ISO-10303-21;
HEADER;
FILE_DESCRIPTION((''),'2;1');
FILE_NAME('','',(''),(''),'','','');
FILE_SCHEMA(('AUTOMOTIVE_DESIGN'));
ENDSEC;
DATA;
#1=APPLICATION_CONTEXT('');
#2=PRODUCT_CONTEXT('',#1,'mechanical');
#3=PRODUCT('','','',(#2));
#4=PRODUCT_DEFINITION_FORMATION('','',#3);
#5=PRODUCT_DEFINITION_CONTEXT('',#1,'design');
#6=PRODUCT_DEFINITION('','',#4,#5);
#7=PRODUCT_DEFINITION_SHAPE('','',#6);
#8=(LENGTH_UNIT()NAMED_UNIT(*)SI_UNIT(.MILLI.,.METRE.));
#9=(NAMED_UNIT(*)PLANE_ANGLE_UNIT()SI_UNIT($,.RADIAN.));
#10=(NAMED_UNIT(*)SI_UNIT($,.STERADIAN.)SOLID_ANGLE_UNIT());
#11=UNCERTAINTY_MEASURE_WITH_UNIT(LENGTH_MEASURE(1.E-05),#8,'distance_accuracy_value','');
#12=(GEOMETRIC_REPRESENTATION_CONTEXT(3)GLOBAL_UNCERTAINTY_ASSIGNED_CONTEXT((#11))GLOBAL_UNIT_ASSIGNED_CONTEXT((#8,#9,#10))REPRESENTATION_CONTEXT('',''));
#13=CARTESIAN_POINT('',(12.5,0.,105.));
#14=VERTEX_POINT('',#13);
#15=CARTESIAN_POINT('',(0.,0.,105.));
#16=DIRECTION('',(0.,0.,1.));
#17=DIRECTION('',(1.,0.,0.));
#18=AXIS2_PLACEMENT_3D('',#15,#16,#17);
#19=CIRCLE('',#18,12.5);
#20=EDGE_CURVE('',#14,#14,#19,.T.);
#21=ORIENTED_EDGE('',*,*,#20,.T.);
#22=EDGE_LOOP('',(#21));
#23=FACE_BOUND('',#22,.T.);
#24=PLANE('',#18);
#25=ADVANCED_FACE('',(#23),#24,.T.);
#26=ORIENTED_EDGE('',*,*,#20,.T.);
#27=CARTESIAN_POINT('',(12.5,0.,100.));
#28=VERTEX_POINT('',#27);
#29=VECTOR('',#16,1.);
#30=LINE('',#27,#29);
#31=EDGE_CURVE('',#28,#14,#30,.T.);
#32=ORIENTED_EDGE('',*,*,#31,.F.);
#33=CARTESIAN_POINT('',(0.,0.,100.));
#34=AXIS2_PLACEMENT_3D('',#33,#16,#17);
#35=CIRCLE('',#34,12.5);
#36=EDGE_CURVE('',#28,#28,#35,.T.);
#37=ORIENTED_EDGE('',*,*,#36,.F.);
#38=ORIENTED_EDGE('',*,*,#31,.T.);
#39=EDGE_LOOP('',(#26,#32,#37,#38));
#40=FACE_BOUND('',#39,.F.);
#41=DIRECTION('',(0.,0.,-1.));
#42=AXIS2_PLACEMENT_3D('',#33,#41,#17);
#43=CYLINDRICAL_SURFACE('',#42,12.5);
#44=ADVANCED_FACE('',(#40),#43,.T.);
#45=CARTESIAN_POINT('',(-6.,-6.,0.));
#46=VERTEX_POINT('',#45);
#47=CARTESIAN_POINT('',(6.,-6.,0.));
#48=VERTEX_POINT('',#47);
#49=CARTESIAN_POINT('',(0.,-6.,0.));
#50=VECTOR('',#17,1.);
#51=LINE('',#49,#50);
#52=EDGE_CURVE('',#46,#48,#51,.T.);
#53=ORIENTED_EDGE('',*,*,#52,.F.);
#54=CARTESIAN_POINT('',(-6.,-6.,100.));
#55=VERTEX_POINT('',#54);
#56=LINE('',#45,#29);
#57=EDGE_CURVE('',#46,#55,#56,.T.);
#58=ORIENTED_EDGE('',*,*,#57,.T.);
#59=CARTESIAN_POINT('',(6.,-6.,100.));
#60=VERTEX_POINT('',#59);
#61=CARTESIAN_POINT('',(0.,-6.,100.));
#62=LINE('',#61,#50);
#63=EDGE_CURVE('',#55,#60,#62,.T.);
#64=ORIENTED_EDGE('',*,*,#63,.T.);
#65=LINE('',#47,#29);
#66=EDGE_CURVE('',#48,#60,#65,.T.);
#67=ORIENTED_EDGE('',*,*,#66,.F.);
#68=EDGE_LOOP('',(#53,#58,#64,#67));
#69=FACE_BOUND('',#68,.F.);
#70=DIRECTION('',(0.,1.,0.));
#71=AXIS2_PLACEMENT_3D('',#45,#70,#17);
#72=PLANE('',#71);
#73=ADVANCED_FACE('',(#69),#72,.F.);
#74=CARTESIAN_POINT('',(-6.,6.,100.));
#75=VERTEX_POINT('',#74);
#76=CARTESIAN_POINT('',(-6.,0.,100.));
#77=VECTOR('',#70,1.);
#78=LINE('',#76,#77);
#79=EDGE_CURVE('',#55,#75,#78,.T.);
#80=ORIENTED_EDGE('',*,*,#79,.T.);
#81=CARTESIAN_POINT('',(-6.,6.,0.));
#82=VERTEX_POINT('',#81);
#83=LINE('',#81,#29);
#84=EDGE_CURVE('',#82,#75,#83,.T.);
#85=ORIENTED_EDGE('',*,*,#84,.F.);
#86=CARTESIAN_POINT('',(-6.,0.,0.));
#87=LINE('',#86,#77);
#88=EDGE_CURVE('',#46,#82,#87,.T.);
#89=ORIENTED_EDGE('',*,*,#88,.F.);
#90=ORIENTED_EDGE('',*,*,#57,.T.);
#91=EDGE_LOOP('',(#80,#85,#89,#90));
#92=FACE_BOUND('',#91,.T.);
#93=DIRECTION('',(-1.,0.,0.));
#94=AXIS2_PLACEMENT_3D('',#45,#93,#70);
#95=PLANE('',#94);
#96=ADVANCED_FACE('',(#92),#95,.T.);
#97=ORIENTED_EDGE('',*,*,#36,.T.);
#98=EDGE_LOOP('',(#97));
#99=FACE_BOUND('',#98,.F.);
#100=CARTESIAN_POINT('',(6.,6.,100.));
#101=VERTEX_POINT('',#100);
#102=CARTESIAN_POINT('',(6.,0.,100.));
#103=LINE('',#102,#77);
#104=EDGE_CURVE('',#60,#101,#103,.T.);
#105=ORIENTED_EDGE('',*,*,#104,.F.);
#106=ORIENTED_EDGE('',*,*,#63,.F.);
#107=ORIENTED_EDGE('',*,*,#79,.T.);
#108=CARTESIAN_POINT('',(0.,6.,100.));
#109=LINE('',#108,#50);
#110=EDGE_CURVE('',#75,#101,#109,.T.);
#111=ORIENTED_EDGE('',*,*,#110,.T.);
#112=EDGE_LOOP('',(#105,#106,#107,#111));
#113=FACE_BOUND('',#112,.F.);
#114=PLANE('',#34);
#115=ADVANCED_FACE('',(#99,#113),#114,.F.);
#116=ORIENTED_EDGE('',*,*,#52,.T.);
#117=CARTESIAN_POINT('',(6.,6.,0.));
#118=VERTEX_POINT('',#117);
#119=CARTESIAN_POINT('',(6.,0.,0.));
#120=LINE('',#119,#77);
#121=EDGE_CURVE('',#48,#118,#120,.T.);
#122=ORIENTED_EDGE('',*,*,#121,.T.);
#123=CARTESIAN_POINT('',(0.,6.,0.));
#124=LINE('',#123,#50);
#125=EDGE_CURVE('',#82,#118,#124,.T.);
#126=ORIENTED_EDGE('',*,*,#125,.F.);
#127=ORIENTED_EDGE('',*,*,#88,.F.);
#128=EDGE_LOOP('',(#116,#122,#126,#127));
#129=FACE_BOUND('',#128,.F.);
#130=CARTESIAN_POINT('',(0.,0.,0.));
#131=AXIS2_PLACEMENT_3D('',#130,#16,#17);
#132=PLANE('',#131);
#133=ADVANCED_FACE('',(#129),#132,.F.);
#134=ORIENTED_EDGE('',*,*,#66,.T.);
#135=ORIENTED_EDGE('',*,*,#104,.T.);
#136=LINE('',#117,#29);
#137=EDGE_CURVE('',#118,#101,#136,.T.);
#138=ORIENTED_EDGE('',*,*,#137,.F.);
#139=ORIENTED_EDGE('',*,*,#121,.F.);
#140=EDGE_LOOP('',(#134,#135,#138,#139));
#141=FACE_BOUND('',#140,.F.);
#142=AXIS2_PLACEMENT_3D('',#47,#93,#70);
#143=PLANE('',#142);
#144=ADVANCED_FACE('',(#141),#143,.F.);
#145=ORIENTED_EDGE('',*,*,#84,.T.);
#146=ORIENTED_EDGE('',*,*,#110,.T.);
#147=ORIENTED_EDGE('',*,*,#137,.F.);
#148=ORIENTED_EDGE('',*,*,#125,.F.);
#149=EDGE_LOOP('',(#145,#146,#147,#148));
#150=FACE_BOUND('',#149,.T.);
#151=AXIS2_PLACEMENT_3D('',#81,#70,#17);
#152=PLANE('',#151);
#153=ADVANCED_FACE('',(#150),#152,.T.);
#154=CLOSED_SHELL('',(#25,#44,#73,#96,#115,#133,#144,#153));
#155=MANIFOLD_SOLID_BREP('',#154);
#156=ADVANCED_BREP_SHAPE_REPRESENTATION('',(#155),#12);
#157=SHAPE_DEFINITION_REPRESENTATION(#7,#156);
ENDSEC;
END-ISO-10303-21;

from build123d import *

# Parameters (mm, degrees)
F0_W     = 12
F0_H     = 12
F1_DEPTH = 100
F3_R     = 12.5
F4_DEPTH = 5


with BuildPart() as f1:
    # F0 (on Top) → F1 (new body)
    with BuildSketch(Plane.XY):
        Rectangle(F0_W, F0_H)
    extrude(amount=F1_DEPTH)

    # F3 (on offset) → F4 (join)
    with BuildSketch(Plane.XY.offset(100)):
        Circle(F3_R)
    extrude(amount=F4_DEPTH)


solid = f1.part
